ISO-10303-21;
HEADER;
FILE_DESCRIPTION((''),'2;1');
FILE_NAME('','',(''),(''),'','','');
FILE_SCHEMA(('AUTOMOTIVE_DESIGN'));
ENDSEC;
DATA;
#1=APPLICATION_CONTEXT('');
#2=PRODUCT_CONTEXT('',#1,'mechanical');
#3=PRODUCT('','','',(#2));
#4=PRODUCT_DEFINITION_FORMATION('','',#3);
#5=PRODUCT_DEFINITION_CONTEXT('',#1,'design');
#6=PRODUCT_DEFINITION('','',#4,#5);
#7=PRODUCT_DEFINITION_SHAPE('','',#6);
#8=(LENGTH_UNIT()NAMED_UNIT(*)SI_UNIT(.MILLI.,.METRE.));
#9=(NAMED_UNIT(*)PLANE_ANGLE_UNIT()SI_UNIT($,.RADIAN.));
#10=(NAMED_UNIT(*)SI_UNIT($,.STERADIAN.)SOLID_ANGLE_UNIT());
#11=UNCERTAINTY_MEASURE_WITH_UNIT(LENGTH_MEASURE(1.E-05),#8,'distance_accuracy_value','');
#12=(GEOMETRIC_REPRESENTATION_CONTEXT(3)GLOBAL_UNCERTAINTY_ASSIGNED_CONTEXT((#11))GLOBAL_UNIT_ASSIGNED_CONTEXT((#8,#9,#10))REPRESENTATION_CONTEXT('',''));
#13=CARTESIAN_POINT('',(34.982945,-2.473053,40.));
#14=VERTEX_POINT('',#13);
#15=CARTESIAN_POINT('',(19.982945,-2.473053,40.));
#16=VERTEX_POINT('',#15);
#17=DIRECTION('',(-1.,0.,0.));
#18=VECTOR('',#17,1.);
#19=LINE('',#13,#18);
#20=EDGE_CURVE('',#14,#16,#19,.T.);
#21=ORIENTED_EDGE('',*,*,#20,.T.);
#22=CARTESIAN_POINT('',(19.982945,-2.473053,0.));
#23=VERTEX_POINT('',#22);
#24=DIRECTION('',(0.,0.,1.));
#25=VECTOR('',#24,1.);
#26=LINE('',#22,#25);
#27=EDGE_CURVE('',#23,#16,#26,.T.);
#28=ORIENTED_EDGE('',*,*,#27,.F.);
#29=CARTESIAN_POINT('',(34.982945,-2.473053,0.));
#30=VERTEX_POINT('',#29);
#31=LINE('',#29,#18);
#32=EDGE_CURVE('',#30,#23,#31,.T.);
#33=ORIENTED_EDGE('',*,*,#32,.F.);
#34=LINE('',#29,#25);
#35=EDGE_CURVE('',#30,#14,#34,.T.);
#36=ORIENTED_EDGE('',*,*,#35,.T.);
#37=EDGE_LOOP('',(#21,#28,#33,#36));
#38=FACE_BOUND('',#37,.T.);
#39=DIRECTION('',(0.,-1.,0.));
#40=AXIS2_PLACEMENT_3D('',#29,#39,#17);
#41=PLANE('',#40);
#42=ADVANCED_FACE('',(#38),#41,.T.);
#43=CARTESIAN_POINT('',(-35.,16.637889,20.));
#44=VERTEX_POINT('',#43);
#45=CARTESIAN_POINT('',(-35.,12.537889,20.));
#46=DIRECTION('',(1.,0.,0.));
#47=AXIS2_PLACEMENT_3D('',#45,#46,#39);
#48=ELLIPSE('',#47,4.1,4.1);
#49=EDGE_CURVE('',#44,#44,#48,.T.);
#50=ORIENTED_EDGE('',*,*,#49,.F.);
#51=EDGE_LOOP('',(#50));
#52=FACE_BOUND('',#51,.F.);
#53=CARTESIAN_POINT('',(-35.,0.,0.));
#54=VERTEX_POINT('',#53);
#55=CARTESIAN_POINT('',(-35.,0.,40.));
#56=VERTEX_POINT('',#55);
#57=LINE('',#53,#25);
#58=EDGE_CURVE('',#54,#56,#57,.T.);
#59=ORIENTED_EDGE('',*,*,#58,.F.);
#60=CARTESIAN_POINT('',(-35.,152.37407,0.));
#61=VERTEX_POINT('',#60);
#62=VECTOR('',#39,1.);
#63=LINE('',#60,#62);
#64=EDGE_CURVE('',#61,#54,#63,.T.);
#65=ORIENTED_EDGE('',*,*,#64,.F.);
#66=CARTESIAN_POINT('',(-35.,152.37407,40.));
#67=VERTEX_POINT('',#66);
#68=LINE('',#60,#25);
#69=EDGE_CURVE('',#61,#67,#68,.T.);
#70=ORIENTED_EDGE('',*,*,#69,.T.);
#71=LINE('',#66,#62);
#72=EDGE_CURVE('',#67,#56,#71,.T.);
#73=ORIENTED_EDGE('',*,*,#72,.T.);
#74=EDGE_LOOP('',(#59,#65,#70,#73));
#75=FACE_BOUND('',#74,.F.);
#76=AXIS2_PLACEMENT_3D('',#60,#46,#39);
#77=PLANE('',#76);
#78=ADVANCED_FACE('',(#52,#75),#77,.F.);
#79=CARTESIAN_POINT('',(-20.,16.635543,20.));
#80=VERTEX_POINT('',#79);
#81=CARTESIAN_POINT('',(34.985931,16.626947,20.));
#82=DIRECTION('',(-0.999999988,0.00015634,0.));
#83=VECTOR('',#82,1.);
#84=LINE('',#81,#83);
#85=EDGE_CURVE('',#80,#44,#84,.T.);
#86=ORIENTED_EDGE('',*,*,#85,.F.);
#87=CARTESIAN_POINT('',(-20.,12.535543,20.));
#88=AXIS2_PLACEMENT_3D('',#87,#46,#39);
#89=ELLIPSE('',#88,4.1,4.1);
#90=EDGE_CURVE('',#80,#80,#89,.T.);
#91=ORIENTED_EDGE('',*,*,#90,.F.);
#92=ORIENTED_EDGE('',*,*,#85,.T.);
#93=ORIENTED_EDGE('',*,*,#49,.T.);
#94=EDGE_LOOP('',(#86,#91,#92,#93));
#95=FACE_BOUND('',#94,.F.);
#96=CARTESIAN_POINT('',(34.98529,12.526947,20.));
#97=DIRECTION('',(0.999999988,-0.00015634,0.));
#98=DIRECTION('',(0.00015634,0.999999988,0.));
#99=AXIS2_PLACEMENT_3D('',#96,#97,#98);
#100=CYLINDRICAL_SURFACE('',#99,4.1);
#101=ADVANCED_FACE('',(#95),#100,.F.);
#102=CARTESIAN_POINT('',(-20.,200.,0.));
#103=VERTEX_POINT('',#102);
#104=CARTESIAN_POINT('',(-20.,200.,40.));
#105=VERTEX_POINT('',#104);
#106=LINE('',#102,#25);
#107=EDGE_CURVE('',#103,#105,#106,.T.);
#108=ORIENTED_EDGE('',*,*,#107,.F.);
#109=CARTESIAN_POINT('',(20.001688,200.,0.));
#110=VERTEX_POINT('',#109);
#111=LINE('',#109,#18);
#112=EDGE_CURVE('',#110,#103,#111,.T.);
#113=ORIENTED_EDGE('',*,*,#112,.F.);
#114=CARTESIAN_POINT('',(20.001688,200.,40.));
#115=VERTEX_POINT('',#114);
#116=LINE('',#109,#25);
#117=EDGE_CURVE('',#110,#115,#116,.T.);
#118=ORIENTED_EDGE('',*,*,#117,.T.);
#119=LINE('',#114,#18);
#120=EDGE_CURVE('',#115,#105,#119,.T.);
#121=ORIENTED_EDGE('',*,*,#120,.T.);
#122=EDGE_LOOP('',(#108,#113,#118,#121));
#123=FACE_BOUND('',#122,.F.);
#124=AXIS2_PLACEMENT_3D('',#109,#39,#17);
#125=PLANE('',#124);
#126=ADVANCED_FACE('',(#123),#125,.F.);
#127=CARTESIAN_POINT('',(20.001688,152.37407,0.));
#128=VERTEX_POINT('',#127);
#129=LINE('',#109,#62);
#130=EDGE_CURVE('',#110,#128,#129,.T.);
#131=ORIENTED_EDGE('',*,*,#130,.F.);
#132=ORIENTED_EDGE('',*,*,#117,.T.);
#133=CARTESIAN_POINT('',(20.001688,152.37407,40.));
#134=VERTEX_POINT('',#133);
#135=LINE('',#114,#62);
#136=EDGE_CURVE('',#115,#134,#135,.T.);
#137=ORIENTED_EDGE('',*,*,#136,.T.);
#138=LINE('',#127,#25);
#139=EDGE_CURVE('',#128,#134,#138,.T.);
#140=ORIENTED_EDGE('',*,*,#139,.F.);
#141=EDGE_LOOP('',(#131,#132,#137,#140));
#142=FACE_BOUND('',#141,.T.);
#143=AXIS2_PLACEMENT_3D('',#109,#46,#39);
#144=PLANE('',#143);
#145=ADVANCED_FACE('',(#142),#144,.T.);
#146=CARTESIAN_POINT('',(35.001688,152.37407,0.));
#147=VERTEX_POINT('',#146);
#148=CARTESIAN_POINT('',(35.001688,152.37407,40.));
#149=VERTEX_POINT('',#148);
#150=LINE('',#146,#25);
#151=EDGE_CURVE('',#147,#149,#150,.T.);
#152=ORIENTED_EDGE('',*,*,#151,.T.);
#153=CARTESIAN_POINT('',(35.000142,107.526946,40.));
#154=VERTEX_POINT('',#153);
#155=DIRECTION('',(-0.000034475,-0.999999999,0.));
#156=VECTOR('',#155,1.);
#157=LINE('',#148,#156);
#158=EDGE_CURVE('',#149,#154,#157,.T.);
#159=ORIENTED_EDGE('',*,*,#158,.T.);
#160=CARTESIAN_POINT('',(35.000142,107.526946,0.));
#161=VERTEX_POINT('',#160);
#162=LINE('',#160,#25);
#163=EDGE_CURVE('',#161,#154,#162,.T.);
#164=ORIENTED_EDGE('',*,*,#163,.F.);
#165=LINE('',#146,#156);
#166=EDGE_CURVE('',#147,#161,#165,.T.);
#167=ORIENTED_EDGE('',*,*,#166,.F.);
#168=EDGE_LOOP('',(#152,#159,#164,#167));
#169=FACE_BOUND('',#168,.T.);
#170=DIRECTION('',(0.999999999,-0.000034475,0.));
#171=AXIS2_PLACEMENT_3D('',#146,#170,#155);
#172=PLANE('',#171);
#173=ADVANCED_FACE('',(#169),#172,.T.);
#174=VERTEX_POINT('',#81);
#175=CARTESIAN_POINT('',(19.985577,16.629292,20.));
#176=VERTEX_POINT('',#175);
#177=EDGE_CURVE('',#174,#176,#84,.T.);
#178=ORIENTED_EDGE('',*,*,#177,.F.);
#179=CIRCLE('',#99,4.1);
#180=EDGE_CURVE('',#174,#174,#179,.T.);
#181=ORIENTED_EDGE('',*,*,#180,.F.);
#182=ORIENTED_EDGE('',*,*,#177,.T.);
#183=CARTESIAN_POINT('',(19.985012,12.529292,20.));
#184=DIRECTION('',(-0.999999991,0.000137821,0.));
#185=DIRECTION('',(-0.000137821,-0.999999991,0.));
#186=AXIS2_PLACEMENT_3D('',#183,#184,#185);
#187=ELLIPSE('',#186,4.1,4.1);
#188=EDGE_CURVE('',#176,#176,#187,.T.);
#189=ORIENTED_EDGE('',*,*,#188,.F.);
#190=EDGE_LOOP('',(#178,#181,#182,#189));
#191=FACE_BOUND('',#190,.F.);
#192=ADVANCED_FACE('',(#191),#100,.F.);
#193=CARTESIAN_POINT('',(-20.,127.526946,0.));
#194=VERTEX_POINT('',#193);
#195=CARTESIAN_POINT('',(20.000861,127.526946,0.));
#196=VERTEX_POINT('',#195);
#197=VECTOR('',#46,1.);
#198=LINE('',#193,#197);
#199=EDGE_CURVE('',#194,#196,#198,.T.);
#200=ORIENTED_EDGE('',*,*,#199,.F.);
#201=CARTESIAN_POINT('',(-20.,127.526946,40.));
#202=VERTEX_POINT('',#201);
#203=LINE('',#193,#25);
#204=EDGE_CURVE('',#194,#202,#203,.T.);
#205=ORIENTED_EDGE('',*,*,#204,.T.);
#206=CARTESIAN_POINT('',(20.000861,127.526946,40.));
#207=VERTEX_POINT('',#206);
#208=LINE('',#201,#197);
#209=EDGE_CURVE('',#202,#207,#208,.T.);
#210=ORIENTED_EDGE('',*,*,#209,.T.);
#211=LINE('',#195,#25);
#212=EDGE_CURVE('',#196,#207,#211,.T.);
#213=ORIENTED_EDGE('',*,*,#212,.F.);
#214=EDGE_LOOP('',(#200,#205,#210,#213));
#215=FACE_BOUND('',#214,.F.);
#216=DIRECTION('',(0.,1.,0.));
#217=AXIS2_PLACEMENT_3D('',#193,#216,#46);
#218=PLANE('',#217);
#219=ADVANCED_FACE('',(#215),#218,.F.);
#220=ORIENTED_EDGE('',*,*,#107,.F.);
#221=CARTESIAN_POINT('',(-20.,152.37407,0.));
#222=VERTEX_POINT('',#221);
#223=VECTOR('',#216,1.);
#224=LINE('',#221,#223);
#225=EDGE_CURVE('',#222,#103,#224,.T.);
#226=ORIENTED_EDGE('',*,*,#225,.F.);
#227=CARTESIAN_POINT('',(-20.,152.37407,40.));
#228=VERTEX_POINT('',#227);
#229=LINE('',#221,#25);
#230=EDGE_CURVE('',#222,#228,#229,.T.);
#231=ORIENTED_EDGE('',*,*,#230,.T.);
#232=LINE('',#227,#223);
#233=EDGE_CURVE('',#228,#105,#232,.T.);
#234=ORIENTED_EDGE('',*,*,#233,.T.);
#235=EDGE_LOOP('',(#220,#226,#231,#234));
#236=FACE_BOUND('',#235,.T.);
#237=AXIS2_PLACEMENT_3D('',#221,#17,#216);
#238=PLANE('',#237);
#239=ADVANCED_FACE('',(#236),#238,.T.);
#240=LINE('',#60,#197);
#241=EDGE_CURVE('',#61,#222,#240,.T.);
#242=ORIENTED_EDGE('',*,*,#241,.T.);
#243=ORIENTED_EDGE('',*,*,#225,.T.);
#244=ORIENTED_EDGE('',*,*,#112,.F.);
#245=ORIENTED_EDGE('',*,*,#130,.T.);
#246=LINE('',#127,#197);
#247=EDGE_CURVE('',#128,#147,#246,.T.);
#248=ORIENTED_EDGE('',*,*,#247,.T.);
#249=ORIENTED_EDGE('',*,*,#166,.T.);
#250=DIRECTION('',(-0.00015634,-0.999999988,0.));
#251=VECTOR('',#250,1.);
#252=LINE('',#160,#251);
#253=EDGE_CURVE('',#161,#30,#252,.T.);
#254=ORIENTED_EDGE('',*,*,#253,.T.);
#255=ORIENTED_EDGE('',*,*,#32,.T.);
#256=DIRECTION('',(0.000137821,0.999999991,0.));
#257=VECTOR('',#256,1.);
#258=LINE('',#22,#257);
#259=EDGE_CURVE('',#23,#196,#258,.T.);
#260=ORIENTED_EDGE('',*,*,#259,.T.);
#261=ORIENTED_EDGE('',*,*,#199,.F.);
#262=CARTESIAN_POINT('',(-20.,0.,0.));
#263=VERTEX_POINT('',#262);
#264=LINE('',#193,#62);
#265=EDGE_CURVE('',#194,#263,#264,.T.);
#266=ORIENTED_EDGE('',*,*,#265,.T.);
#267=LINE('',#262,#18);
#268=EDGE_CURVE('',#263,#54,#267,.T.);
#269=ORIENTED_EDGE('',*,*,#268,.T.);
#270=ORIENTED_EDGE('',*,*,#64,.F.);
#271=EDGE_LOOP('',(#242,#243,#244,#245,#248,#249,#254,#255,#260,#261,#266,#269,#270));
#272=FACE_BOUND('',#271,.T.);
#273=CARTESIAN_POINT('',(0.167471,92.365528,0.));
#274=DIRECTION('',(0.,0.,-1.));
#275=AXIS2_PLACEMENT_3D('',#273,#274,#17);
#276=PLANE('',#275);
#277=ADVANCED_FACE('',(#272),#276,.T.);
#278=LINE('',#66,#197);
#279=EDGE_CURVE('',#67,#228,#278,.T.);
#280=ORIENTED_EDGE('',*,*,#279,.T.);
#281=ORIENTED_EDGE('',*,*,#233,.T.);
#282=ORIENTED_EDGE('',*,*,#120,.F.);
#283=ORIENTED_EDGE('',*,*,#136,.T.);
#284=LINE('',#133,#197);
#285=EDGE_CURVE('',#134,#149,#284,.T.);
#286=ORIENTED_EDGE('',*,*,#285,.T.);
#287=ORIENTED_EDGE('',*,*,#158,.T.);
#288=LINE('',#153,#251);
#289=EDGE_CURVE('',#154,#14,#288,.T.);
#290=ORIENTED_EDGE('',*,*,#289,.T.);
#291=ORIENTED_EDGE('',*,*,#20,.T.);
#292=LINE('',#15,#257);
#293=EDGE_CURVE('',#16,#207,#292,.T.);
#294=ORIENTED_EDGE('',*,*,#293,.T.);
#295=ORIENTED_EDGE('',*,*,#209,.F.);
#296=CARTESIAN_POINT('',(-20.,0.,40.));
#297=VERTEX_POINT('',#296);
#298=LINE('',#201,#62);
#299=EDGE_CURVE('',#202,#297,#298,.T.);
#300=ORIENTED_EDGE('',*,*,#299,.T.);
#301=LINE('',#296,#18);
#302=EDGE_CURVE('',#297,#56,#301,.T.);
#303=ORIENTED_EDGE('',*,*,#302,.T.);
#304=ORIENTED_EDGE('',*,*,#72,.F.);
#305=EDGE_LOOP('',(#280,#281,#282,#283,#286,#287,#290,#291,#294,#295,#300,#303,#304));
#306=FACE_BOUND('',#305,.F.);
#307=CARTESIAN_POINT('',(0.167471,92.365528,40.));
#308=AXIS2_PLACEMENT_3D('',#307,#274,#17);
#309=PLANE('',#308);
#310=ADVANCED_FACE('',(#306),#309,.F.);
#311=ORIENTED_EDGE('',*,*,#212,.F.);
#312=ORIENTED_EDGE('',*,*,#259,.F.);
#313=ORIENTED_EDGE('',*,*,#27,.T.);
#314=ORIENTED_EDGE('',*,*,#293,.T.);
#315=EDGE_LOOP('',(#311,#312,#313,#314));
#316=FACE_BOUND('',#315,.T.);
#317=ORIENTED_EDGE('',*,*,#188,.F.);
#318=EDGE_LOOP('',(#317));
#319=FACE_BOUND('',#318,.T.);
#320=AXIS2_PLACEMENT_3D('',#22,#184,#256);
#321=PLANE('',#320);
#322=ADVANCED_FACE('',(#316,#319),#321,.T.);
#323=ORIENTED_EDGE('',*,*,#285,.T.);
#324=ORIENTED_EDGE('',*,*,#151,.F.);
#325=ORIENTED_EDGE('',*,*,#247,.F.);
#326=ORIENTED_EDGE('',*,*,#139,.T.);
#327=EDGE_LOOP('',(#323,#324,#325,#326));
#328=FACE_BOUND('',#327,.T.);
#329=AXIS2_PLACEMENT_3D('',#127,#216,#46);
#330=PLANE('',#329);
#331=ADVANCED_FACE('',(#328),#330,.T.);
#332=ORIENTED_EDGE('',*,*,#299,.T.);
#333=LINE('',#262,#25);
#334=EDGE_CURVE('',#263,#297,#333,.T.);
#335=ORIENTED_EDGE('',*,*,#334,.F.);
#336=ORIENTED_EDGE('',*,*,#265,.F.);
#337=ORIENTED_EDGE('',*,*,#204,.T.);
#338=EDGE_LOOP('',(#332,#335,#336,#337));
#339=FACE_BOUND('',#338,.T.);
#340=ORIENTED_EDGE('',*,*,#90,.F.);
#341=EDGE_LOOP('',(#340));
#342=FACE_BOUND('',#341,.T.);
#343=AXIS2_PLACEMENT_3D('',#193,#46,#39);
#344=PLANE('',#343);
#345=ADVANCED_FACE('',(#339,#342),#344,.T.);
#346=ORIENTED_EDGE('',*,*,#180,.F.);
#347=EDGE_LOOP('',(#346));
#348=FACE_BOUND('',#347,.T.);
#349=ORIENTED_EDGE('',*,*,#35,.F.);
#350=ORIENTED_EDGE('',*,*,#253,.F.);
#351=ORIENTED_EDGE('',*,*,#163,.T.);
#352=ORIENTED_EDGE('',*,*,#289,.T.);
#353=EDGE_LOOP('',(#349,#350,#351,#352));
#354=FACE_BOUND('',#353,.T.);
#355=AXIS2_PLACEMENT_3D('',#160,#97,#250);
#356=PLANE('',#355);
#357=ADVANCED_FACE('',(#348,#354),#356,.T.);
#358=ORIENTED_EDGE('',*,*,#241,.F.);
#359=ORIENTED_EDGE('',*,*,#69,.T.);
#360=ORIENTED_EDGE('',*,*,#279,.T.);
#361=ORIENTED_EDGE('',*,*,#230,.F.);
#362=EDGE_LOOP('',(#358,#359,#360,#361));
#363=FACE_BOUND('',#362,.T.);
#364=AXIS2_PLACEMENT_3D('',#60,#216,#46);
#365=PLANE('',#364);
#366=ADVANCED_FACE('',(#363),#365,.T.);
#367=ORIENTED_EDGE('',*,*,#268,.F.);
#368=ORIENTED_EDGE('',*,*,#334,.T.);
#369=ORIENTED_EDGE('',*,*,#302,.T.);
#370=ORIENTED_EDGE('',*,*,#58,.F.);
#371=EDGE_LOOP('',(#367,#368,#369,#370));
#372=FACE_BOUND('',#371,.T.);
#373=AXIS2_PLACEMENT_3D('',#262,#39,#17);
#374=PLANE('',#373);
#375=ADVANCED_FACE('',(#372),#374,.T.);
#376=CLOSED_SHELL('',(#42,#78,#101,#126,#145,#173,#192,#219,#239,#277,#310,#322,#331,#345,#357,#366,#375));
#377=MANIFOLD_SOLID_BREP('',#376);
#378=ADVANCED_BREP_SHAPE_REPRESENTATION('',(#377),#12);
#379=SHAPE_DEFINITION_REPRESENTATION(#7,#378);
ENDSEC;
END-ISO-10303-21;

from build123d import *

# Parameters (mm, degrees)
PAD_DEPTH    = 40
SKETCH001_R  = 4.1
POCKET_DEPTH = 70.0155982259


with BuildPart() as part:
    # Sketch (on XY_Plane of Origin) → Pad (new body)
    with BuildSketch(Plane.XY):
        Polygon((-35, 0), (-35, 110), (-35, 152.37407), (-20, 152.37407), (-20, 200), (0, 200), (20.001688, 200), (20.001688, 152.37407), (35.001688, 152.37407), (35.0001418741, 107.5269458609), (34.9829445099, -2.4730527948), (19.9829445099, -2.4730527948), (20.0008612126, 127.5269459706), (0, 127.5269459706), (-20, 127.5269459706), (-20, 0), align=None)
    extrude(amount=PAD_DEPTH)

    # Sketch001 (on Face3 of Pad) → Pocket (cut, through all)
    with BuildSketch(Plane(origin=(34.9833302911, -0.0054692826, 0), x_dir=(0.0001563397, 0.9999999878, 0), z_dir=(0.9999999878, -0.0001563397, 0))):
        with Locations((12.5324164576, 20)):
            Circle(SKETCH001_R)
    extrude(amount=-POCKET_DEPTH, mode=Mode.SUBTRACT)


solid = part.part
